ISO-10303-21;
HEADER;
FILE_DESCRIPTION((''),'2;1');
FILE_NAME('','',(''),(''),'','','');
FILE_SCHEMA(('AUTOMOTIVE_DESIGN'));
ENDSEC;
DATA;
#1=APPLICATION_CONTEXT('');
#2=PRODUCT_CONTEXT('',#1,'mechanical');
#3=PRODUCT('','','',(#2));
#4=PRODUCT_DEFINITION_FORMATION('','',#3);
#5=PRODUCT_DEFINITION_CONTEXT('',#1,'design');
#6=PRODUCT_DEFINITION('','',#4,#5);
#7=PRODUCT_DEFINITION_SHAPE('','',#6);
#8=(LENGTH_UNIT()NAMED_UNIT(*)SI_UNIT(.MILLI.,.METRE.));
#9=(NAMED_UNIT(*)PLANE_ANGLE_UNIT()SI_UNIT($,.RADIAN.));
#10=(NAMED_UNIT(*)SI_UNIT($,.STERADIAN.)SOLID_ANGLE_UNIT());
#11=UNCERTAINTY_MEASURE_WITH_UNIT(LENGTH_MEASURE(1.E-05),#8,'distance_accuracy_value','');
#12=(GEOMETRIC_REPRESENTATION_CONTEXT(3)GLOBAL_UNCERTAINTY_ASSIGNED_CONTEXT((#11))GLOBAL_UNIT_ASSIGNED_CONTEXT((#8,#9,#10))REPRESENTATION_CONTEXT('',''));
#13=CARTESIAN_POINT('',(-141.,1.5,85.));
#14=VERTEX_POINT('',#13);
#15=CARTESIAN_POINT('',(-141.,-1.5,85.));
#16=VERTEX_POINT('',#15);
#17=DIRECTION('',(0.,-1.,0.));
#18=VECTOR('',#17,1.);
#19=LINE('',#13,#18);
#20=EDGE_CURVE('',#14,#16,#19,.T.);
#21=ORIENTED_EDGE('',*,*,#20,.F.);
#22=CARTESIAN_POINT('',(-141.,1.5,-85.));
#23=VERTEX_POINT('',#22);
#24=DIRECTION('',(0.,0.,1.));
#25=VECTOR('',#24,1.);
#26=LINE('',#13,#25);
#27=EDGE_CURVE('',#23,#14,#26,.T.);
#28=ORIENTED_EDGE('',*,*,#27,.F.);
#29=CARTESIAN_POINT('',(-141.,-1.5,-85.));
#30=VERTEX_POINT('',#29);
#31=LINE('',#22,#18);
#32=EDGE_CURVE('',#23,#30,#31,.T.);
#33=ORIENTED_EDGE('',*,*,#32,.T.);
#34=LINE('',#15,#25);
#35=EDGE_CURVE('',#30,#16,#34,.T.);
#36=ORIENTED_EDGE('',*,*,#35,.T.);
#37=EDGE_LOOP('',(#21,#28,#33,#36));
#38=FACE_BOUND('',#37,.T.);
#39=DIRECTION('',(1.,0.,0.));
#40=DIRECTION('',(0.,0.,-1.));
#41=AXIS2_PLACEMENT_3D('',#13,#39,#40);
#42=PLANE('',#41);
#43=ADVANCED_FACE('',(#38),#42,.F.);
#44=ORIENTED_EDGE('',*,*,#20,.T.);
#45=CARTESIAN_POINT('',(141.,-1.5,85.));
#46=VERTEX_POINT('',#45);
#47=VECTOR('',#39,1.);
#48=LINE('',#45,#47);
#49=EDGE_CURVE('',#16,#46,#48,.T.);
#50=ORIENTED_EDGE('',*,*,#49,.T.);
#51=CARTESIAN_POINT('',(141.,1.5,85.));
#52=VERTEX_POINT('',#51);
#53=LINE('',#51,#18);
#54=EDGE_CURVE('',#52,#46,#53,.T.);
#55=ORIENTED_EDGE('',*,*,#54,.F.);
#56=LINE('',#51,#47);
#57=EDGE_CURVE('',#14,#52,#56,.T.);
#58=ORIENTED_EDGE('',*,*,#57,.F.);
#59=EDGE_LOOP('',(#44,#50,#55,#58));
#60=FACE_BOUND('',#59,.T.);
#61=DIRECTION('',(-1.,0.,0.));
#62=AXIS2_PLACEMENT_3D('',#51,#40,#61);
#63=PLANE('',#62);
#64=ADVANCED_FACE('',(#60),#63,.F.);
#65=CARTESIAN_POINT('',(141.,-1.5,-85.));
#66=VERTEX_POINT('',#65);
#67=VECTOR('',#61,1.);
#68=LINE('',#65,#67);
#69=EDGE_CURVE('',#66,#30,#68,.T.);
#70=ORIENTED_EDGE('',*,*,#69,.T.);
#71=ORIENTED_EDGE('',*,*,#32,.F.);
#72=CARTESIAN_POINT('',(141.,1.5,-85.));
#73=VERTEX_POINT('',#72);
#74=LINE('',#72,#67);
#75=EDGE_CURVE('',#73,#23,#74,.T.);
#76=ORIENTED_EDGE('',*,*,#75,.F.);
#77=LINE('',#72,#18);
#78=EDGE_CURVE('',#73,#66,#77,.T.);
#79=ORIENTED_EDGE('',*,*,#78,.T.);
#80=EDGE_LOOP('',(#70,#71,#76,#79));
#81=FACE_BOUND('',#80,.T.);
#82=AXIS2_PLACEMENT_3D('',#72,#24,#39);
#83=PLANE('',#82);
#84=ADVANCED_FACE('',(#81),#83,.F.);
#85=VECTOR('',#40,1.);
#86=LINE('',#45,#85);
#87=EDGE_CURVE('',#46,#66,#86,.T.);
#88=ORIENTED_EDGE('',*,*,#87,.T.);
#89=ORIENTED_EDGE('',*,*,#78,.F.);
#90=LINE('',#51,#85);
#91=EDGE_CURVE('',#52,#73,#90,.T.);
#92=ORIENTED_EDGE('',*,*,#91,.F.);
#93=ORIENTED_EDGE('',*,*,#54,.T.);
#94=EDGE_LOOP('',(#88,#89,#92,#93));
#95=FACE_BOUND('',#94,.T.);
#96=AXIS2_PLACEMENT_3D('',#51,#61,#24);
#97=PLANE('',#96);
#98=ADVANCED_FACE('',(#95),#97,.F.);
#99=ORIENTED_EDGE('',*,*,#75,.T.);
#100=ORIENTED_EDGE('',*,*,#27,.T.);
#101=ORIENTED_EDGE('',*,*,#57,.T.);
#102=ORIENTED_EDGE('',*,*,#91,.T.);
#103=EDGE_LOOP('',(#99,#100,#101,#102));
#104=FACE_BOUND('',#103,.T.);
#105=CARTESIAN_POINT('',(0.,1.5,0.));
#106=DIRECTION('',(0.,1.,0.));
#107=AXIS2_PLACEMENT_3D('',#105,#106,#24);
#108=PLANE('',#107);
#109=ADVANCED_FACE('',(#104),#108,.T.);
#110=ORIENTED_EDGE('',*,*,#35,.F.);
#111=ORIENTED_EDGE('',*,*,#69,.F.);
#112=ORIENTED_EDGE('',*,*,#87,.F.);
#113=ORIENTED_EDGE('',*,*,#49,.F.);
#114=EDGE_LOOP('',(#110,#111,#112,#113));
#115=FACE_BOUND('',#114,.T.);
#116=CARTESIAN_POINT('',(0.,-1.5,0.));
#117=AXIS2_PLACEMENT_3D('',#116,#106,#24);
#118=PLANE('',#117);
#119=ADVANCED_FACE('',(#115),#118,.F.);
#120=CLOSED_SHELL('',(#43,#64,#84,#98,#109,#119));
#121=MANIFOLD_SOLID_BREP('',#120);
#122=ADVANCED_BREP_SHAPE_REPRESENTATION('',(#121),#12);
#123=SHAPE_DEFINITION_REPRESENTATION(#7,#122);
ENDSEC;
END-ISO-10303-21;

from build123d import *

# Parameters (mm, degrees)
SKETCH1_W           = 282
SKETCH1_H           = 170
BOSS_EXTRUDE1_DEPTH = 1.5


with BuildPart() as part:
    # Sketch1 → Boss-Extrude1 (new, symmetric)
    with BuildSketch(Plane(origin=(0, 0, 0), x_dir=(1, 0, 0), z_dir=(0, 1, 0))):
        Rectangle(SKETCH1_W, SKETCH1_H)
    extrude(amount=BOSS_EXTRUDE1_DEPTH, both=True)


solid = part.part
